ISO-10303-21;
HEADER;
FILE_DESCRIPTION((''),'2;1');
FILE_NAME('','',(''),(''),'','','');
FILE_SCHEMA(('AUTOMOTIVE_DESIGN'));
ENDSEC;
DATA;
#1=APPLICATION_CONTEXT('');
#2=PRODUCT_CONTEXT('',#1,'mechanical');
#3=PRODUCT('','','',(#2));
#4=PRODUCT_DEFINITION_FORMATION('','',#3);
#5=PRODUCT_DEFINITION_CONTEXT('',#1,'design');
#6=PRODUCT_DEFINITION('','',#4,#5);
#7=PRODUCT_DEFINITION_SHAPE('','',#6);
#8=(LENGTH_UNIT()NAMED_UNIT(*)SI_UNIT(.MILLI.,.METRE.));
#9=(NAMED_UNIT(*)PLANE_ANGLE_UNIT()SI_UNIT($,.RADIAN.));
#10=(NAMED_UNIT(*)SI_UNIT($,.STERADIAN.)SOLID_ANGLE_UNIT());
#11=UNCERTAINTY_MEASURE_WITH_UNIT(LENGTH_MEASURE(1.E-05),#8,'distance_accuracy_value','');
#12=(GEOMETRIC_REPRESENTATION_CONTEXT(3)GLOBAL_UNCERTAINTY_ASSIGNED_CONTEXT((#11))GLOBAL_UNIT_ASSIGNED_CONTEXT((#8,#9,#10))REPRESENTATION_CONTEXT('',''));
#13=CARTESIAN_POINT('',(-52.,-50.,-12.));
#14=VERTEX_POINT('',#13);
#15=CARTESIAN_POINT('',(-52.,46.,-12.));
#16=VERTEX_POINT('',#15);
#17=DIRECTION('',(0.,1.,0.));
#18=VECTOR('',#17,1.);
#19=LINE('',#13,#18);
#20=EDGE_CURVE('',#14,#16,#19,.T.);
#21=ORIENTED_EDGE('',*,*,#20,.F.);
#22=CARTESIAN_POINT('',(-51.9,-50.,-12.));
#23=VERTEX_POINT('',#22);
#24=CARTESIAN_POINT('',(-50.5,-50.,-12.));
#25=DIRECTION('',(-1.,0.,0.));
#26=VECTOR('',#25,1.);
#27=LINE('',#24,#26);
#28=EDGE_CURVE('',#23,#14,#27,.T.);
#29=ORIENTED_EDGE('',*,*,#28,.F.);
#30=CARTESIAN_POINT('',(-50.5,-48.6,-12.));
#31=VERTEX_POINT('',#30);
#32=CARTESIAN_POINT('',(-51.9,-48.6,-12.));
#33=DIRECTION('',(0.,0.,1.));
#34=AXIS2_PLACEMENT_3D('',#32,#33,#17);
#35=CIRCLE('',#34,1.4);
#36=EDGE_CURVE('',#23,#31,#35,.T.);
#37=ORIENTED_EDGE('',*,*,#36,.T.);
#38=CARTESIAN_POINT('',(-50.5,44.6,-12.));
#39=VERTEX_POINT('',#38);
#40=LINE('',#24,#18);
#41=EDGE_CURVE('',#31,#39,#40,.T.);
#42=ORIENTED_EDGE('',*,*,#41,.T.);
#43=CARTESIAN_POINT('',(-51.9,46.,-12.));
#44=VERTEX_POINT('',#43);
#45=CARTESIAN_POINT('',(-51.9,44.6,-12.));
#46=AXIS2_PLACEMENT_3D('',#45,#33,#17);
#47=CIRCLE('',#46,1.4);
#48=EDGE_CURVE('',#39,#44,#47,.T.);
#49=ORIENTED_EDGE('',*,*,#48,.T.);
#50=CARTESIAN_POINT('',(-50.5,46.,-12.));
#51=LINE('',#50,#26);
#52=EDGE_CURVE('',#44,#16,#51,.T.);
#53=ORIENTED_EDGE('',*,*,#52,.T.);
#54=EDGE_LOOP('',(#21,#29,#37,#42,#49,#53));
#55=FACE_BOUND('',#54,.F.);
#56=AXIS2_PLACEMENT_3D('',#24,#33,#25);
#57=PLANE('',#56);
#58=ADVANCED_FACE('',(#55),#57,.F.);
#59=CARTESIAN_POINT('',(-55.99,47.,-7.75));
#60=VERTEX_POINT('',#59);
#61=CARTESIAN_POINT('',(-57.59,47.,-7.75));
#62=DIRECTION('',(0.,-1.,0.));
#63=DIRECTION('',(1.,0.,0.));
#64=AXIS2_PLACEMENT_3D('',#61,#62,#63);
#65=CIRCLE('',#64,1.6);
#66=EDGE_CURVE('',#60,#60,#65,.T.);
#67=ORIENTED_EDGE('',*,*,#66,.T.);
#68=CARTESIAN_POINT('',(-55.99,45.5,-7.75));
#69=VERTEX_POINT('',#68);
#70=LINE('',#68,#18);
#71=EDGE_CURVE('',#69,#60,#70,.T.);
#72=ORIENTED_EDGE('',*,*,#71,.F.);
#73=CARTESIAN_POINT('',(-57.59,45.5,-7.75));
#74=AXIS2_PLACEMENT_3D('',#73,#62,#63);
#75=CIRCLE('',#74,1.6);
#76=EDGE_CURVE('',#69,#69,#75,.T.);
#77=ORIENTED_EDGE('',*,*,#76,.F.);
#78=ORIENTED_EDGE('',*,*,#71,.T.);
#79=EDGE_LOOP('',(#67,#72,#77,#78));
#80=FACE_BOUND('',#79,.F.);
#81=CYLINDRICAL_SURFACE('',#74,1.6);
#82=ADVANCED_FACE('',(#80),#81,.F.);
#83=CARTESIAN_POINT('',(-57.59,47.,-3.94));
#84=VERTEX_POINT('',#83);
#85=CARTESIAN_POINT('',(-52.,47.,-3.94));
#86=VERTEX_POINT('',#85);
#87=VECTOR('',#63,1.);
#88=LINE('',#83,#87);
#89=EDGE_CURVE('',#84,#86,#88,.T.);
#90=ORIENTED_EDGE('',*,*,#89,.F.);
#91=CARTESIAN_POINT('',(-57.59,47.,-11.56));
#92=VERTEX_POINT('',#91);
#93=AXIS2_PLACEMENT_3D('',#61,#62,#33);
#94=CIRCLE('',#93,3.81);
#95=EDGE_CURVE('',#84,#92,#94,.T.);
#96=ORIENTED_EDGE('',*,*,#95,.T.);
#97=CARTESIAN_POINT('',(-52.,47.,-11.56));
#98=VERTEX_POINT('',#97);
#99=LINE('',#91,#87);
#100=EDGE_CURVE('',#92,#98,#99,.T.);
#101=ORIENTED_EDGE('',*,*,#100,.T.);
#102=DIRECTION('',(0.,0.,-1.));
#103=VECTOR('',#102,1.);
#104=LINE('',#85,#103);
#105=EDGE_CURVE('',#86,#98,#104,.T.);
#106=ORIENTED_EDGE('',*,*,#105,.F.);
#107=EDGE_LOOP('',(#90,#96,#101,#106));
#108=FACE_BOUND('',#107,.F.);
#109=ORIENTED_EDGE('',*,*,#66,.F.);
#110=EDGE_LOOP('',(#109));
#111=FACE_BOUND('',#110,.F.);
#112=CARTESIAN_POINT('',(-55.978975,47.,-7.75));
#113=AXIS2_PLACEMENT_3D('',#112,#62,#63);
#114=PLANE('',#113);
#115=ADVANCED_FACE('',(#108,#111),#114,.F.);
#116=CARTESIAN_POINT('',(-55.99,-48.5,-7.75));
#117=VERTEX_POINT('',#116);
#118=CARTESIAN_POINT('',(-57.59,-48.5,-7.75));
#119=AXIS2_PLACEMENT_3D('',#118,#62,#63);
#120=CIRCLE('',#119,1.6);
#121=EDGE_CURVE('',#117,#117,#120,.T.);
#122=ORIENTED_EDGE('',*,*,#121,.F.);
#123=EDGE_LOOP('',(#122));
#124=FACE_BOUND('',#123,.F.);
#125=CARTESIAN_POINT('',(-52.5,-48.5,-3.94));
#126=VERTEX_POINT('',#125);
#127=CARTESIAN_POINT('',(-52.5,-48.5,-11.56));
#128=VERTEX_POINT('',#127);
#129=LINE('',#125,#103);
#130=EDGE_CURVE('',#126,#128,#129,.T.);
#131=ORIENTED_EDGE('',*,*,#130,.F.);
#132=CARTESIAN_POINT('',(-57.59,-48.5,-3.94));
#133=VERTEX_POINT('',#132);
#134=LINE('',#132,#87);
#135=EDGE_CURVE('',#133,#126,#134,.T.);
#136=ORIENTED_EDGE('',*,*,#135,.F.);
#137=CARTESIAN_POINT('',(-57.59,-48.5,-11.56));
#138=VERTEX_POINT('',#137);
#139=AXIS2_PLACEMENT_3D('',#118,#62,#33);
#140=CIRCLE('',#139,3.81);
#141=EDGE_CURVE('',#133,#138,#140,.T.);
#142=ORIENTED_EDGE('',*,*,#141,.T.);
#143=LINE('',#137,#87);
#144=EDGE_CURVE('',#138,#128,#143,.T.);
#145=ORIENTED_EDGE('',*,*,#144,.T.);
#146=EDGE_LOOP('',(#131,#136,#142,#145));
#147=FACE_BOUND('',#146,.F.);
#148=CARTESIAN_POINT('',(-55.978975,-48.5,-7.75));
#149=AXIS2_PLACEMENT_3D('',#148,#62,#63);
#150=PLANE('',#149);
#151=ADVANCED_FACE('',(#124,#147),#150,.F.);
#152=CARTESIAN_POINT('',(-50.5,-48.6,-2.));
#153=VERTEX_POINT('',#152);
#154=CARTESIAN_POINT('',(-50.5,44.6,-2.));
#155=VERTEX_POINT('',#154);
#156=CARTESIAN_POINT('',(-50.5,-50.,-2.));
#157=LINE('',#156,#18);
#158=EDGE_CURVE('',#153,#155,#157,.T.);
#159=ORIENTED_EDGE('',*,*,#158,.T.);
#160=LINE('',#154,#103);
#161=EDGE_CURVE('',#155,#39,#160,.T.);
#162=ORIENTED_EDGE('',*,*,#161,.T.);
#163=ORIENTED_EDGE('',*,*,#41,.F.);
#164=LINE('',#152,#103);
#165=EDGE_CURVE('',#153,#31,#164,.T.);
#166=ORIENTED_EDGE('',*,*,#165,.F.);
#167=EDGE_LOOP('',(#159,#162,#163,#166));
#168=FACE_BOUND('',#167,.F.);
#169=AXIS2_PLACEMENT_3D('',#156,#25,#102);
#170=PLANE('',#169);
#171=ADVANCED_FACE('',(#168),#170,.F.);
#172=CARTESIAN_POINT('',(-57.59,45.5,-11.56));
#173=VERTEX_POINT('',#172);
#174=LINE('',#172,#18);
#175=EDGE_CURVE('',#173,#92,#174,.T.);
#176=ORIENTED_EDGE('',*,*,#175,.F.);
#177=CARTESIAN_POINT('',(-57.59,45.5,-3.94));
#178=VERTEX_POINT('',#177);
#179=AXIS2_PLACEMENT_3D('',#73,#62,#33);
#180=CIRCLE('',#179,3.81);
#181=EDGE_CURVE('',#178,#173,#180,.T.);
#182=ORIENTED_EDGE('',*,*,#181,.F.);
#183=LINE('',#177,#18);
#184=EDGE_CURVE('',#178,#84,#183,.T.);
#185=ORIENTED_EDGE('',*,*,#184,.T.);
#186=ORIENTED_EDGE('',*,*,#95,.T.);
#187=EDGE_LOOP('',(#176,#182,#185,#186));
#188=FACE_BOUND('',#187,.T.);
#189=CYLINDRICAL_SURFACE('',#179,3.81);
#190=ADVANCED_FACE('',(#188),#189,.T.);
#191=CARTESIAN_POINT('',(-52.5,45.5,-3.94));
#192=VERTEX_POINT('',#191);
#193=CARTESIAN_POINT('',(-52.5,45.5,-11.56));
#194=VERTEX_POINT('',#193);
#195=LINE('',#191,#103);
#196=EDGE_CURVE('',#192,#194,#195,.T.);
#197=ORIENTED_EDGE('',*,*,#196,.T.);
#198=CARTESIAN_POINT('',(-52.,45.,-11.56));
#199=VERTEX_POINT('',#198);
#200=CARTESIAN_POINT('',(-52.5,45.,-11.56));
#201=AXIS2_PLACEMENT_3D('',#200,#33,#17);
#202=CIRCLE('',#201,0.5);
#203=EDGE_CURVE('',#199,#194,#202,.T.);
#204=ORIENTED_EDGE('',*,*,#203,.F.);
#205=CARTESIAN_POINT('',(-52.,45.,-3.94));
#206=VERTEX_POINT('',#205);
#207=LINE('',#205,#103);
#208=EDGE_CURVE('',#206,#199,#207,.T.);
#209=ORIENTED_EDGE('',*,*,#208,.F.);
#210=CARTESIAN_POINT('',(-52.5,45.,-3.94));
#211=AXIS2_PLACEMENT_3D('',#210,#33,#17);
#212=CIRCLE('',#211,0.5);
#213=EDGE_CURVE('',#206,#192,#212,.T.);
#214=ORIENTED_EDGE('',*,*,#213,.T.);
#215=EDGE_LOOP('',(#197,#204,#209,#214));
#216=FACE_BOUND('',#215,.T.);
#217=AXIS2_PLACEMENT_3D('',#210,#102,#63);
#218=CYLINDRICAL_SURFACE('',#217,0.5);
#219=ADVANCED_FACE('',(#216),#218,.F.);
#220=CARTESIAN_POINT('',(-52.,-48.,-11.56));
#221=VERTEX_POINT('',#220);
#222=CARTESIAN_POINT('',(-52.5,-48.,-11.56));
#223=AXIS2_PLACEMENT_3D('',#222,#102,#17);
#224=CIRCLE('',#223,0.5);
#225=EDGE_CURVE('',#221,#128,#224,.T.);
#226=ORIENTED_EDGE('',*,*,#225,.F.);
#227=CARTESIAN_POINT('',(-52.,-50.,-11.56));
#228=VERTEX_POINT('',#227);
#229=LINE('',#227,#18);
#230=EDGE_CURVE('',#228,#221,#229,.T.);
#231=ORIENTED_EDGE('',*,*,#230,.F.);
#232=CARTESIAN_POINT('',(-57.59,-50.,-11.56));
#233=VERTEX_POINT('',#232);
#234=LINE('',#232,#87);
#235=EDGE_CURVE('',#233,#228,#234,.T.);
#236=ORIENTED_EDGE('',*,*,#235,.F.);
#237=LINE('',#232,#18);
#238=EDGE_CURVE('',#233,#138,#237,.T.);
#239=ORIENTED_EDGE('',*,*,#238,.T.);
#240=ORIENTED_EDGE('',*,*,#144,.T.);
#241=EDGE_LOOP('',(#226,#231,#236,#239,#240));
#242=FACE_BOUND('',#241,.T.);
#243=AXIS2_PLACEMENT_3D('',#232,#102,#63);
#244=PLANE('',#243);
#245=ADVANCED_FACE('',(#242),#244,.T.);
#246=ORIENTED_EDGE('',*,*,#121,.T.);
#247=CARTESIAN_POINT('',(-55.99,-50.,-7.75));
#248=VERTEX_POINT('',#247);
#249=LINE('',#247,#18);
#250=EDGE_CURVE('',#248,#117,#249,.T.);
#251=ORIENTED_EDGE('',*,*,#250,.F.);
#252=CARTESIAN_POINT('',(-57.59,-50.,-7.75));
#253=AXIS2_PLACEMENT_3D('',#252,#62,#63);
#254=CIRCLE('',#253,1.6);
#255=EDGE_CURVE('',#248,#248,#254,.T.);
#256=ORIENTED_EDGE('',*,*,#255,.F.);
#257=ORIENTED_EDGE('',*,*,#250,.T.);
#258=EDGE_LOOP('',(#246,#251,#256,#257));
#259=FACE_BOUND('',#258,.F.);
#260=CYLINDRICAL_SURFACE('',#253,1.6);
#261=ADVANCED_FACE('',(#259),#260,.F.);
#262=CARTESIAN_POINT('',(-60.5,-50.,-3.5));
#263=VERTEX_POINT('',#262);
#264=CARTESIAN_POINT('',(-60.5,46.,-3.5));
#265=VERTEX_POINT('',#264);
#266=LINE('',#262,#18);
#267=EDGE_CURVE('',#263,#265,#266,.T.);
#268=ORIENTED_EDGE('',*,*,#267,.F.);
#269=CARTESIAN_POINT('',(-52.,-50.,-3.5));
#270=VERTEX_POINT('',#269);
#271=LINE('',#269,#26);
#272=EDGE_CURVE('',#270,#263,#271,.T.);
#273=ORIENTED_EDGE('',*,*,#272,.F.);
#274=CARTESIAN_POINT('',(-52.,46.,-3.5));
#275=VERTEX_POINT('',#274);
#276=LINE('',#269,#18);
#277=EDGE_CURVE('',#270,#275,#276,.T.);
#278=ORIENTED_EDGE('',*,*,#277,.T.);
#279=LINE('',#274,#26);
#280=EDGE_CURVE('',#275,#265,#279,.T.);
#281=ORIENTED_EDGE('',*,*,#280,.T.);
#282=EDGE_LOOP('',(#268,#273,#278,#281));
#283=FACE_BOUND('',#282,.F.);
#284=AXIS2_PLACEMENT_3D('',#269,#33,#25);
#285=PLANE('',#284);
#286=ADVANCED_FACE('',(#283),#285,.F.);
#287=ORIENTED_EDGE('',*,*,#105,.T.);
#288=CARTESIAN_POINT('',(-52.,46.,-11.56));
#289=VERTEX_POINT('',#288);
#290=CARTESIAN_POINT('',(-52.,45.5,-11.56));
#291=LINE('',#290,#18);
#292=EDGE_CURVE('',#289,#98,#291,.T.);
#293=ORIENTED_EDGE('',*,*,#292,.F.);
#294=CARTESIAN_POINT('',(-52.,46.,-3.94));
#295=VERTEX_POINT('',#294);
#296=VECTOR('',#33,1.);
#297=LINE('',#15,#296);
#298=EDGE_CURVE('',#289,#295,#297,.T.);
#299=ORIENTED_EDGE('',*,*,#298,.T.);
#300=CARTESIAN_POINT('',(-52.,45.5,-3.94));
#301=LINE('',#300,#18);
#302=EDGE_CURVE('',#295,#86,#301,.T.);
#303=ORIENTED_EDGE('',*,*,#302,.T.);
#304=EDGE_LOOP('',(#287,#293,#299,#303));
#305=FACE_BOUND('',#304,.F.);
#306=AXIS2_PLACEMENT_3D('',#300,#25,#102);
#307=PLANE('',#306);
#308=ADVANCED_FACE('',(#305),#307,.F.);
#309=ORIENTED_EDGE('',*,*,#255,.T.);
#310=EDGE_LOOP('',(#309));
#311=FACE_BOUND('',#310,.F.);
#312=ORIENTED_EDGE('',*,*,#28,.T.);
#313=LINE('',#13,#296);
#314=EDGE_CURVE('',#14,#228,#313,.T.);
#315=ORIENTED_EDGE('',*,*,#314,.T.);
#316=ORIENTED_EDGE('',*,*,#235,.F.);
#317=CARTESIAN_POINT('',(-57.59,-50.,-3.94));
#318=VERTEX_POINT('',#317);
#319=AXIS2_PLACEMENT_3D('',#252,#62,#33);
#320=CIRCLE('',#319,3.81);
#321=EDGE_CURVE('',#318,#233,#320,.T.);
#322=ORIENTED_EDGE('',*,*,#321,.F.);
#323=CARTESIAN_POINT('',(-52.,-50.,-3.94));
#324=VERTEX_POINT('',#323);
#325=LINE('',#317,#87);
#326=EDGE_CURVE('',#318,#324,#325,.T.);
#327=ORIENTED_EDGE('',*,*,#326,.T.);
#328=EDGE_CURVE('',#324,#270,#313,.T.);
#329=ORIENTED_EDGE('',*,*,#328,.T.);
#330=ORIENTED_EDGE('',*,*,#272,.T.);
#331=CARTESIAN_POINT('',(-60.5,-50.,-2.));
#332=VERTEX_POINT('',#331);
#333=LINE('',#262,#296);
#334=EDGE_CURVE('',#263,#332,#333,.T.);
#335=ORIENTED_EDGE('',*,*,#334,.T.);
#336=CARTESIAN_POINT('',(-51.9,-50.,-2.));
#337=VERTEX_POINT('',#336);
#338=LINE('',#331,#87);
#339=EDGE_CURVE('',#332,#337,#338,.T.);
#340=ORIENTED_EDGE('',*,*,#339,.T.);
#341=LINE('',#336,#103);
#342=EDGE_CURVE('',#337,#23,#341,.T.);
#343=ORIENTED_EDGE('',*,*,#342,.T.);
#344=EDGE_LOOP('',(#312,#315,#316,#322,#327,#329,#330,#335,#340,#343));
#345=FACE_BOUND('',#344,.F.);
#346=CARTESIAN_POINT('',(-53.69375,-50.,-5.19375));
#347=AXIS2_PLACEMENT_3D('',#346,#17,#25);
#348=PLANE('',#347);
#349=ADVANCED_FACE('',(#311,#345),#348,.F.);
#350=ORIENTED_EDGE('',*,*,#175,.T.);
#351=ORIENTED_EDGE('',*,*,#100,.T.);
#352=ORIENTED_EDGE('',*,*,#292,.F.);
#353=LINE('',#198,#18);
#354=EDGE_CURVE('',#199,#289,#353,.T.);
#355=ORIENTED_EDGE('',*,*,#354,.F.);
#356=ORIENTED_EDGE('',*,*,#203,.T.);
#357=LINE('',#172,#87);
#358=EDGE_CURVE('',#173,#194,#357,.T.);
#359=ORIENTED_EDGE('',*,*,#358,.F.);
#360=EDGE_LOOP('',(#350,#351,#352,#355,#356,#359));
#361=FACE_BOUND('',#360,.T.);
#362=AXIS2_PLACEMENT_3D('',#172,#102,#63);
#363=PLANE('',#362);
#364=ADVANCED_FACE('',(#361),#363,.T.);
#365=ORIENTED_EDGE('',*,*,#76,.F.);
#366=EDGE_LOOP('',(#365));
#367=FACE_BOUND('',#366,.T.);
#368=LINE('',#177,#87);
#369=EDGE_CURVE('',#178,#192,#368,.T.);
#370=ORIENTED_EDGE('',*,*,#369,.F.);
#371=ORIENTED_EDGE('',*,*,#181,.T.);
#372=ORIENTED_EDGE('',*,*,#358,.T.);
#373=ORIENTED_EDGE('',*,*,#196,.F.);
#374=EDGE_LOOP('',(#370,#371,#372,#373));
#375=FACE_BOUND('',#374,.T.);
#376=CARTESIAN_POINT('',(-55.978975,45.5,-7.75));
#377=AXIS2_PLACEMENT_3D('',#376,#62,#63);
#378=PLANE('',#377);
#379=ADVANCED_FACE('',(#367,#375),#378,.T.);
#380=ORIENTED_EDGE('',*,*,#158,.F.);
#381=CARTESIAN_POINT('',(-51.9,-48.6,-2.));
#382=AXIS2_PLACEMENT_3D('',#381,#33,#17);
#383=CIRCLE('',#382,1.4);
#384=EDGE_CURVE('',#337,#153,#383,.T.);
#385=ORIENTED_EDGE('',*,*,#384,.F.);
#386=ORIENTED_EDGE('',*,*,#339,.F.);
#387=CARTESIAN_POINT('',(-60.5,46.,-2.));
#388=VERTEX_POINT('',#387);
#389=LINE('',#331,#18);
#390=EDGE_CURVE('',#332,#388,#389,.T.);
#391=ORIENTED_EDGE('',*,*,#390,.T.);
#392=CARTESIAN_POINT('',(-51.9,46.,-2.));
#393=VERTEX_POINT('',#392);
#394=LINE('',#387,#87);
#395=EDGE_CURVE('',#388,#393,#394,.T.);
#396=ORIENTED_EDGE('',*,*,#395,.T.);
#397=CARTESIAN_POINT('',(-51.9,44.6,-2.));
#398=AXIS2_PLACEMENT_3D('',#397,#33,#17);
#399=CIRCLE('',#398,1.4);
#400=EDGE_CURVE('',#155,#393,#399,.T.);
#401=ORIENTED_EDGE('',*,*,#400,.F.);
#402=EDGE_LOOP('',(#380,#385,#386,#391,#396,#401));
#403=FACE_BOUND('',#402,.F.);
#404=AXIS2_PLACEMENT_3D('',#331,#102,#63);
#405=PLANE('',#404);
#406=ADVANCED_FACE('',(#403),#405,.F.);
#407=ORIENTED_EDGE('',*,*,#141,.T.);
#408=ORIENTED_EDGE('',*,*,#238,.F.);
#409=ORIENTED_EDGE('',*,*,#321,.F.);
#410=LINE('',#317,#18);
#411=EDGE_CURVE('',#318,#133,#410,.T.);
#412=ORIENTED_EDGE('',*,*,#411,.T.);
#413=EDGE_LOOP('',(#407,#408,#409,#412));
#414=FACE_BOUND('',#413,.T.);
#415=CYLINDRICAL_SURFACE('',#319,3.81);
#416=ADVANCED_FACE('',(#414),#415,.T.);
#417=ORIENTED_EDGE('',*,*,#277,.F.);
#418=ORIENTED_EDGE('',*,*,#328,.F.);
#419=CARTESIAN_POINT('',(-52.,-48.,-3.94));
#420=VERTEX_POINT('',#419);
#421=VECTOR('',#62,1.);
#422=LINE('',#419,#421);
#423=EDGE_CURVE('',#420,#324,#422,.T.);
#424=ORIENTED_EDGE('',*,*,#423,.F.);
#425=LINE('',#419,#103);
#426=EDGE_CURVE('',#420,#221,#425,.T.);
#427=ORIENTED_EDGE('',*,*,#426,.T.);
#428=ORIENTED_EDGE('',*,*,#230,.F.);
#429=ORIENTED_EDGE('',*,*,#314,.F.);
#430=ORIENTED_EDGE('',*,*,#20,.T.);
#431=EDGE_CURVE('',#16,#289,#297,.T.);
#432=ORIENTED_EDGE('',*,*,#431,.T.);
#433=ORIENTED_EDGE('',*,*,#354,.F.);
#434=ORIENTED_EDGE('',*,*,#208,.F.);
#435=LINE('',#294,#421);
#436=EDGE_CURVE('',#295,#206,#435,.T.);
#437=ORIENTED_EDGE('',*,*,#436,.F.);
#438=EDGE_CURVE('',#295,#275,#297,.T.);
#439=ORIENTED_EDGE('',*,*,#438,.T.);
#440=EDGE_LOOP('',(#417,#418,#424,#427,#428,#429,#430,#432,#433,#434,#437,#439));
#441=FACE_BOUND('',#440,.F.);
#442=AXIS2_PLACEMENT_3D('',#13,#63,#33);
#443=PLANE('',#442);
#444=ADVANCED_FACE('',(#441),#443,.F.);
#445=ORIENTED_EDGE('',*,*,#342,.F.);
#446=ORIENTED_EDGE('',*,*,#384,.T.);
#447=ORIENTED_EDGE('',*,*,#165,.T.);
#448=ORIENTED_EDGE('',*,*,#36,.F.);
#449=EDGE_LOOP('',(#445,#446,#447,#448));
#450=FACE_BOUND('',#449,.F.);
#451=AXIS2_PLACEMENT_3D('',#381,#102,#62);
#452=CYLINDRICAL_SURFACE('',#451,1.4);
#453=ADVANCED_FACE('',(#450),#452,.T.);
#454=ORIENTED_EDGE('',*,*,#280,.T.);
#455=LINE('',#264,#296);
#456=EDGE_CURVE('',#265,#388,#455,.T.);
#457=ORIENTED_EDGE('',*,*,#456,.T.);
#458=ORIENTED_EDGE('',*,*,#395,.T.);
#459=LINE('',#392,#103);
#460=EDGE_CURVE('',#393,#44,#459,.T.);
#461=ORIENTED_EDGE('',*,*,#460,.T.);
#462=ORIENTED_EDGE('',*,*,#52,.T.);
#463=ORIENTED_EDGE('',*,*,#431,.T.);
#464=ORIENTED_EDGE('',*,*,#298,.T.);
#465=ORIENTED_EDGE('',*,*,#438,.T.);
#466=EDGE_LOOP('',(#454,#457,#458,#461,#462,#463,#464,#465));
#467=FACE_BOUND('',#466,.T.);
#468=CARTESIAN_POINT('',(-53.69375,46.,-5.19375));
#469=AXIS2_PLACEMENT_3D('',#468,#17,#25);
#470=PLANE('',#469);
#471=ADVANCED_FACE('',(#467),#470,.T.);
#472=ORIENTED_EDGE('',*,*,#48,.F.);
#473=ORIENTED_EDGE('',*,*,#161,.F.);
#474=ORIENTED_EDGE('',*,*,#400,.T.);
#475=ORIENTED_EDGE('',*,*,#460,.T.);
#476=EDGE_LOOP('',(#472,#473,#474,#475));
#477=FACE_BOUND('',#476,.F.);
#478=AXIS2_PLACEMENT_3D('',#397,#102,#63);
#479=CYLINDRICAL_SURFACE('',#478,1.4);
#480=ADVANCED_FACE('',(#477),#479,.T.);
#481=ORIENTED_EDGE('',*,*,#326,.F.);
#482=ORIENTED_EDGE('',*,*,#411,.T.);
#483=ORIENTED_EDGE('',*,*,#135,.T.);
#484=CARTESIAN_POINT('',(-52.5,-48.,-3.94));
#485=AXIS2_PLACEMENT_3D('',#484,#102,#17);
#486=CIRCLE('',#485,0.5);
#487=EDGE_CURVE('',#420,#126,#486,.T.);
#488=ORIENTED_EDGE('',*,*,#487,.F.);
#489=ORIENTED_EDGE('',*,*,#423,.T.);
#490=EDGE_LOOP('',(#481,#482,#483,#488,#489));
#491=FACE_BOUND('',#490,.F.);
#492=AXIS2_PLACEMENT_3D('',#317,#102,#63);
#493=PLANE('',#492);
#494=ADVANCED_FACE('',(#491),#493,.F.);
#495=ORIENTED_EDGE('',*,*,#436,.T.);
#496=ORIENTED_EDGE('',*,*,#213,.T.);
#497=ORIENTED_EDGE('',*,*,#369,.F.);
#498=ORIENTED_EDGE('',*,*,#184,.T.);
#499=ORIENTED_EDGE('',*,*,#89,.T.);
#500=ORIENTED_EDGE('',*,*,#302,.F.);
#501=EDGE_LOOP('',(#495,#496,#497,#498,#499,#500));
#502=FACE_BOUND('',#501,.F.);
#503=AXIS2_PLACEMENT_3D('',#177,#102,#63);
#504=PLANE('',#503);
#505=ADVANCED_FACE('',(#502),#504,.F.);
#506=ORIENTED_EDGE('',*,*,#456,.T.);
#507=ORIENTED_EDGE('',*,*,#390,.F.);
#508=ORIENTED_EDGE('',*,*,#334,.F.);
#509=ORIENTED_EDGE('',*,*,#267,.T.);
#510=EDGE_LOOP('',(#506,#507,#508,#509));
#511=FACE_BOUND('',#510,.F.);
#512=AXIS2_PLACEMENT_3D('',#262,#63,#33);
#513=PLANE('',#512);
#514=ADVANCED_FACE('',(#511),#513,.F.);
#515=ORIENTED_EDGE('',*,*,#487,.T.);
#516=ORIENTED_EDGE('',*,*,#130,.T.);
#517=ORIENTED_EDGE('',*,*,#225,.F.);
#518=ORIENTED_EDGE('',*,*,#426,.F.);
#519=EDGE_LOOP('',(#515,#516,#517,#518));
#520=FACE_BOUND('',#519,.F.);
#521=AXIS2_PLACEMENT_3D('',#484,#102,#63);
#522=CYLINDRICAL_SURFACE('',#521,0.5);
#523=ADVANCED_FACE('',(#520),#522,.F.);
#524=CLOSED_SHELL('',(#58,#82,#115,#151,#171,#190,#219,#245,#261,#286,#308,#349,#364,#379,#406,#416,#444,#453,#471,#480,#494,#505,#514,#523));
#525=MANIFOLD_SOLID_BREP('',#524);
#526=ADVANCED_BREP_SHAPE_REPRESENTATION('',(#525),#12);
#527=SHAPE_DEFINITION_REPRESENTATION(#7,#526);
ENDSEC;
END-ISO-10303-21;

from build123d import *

# Parameters (mm, degrees)
PAD007_DEPTH        = 96
SKETCH010_R         = 1.6
PAD008_DEPTH        = 1.5
LINEARPATTERN_COUNT = 2
LINEARPATTERN_PITCH = 95.5
FILLET002_R         = 1.4
FILLET003_R         = 0.5
FILLET004_R         = 1.4
FILLET005_R         = 0.5


with BuildPart() as part:
    # Sketch009 (on Face5 of Binder009) → Pad007 (new body)
    with BuildSketch(Plane.XZ.offset(50)):
        Polygon((-60.5, -2), (-50.5, -2), (-50.5, -12), (-52, -12), (-52, -3.5), (-60.5, -3.5), align=None)
    extrude(amount=-PAD007_DEPTH)

    # Sketch010 (on Face7 of Pad007) → Pad008 (join)
    with BuildSketch(Plane.XZ.offset(50)):
        with BuildLine():
            ThreePointArc((-57.59, -3.94), (-61.4, -7.75), (-57.59, -11.56))
            Line((-57.59, -11.56), (-52, -11.56))
            Line((-52, -3.94), (-52, -11.56))
            Line((-57.59, -3.94), (-52, -3.94))
        make_face()
        with Locations((-57.59, -7.75)):
            Circle(SKETCH010_R, mode=Mode.SUBTRACT)
    pad008 = extrude(amount=-PAD008_DEPTH)

    # LinearPattern: Pad008 ×2
    with Locations(*[(0, i * LINEARPATTERN_PITCH, 0) for i in range(1, LINEARPATTERN_COUNT)]):
        add(pad008)

    # Fillet002
    fillet002_edges = [part.edges().sort_by_distance(p)[0] for p in [
        (-50.5, -50, -7),
    ]]
    fillet(fillet002_edges, radius=FILLET002_R)

    # Fillet003
    fillet003_edges = [part.edges().sort_by_distance(p)[0] for p in [
        (-52, -48.5, -7.75),
    ]]
    fillet(fillet003_edges, radius=FILLET003_R)

    # Fillet004
    fillet004_edges = [part.edges().sort_by_distance(p)[0] for p in [
        (-50.5, 46, -7),
    ]]
    fillet(fillet004_edges, radius=FILLET004_R)

    # Fillet005
    fillet005_edges = [part.edges().sort_by_distance(p)[0] for p in [
        (-52, 45.5, -7.75),
    ]]
    fillet(fillet005_edges, radius=FILLET005_R)


solid = part.part
